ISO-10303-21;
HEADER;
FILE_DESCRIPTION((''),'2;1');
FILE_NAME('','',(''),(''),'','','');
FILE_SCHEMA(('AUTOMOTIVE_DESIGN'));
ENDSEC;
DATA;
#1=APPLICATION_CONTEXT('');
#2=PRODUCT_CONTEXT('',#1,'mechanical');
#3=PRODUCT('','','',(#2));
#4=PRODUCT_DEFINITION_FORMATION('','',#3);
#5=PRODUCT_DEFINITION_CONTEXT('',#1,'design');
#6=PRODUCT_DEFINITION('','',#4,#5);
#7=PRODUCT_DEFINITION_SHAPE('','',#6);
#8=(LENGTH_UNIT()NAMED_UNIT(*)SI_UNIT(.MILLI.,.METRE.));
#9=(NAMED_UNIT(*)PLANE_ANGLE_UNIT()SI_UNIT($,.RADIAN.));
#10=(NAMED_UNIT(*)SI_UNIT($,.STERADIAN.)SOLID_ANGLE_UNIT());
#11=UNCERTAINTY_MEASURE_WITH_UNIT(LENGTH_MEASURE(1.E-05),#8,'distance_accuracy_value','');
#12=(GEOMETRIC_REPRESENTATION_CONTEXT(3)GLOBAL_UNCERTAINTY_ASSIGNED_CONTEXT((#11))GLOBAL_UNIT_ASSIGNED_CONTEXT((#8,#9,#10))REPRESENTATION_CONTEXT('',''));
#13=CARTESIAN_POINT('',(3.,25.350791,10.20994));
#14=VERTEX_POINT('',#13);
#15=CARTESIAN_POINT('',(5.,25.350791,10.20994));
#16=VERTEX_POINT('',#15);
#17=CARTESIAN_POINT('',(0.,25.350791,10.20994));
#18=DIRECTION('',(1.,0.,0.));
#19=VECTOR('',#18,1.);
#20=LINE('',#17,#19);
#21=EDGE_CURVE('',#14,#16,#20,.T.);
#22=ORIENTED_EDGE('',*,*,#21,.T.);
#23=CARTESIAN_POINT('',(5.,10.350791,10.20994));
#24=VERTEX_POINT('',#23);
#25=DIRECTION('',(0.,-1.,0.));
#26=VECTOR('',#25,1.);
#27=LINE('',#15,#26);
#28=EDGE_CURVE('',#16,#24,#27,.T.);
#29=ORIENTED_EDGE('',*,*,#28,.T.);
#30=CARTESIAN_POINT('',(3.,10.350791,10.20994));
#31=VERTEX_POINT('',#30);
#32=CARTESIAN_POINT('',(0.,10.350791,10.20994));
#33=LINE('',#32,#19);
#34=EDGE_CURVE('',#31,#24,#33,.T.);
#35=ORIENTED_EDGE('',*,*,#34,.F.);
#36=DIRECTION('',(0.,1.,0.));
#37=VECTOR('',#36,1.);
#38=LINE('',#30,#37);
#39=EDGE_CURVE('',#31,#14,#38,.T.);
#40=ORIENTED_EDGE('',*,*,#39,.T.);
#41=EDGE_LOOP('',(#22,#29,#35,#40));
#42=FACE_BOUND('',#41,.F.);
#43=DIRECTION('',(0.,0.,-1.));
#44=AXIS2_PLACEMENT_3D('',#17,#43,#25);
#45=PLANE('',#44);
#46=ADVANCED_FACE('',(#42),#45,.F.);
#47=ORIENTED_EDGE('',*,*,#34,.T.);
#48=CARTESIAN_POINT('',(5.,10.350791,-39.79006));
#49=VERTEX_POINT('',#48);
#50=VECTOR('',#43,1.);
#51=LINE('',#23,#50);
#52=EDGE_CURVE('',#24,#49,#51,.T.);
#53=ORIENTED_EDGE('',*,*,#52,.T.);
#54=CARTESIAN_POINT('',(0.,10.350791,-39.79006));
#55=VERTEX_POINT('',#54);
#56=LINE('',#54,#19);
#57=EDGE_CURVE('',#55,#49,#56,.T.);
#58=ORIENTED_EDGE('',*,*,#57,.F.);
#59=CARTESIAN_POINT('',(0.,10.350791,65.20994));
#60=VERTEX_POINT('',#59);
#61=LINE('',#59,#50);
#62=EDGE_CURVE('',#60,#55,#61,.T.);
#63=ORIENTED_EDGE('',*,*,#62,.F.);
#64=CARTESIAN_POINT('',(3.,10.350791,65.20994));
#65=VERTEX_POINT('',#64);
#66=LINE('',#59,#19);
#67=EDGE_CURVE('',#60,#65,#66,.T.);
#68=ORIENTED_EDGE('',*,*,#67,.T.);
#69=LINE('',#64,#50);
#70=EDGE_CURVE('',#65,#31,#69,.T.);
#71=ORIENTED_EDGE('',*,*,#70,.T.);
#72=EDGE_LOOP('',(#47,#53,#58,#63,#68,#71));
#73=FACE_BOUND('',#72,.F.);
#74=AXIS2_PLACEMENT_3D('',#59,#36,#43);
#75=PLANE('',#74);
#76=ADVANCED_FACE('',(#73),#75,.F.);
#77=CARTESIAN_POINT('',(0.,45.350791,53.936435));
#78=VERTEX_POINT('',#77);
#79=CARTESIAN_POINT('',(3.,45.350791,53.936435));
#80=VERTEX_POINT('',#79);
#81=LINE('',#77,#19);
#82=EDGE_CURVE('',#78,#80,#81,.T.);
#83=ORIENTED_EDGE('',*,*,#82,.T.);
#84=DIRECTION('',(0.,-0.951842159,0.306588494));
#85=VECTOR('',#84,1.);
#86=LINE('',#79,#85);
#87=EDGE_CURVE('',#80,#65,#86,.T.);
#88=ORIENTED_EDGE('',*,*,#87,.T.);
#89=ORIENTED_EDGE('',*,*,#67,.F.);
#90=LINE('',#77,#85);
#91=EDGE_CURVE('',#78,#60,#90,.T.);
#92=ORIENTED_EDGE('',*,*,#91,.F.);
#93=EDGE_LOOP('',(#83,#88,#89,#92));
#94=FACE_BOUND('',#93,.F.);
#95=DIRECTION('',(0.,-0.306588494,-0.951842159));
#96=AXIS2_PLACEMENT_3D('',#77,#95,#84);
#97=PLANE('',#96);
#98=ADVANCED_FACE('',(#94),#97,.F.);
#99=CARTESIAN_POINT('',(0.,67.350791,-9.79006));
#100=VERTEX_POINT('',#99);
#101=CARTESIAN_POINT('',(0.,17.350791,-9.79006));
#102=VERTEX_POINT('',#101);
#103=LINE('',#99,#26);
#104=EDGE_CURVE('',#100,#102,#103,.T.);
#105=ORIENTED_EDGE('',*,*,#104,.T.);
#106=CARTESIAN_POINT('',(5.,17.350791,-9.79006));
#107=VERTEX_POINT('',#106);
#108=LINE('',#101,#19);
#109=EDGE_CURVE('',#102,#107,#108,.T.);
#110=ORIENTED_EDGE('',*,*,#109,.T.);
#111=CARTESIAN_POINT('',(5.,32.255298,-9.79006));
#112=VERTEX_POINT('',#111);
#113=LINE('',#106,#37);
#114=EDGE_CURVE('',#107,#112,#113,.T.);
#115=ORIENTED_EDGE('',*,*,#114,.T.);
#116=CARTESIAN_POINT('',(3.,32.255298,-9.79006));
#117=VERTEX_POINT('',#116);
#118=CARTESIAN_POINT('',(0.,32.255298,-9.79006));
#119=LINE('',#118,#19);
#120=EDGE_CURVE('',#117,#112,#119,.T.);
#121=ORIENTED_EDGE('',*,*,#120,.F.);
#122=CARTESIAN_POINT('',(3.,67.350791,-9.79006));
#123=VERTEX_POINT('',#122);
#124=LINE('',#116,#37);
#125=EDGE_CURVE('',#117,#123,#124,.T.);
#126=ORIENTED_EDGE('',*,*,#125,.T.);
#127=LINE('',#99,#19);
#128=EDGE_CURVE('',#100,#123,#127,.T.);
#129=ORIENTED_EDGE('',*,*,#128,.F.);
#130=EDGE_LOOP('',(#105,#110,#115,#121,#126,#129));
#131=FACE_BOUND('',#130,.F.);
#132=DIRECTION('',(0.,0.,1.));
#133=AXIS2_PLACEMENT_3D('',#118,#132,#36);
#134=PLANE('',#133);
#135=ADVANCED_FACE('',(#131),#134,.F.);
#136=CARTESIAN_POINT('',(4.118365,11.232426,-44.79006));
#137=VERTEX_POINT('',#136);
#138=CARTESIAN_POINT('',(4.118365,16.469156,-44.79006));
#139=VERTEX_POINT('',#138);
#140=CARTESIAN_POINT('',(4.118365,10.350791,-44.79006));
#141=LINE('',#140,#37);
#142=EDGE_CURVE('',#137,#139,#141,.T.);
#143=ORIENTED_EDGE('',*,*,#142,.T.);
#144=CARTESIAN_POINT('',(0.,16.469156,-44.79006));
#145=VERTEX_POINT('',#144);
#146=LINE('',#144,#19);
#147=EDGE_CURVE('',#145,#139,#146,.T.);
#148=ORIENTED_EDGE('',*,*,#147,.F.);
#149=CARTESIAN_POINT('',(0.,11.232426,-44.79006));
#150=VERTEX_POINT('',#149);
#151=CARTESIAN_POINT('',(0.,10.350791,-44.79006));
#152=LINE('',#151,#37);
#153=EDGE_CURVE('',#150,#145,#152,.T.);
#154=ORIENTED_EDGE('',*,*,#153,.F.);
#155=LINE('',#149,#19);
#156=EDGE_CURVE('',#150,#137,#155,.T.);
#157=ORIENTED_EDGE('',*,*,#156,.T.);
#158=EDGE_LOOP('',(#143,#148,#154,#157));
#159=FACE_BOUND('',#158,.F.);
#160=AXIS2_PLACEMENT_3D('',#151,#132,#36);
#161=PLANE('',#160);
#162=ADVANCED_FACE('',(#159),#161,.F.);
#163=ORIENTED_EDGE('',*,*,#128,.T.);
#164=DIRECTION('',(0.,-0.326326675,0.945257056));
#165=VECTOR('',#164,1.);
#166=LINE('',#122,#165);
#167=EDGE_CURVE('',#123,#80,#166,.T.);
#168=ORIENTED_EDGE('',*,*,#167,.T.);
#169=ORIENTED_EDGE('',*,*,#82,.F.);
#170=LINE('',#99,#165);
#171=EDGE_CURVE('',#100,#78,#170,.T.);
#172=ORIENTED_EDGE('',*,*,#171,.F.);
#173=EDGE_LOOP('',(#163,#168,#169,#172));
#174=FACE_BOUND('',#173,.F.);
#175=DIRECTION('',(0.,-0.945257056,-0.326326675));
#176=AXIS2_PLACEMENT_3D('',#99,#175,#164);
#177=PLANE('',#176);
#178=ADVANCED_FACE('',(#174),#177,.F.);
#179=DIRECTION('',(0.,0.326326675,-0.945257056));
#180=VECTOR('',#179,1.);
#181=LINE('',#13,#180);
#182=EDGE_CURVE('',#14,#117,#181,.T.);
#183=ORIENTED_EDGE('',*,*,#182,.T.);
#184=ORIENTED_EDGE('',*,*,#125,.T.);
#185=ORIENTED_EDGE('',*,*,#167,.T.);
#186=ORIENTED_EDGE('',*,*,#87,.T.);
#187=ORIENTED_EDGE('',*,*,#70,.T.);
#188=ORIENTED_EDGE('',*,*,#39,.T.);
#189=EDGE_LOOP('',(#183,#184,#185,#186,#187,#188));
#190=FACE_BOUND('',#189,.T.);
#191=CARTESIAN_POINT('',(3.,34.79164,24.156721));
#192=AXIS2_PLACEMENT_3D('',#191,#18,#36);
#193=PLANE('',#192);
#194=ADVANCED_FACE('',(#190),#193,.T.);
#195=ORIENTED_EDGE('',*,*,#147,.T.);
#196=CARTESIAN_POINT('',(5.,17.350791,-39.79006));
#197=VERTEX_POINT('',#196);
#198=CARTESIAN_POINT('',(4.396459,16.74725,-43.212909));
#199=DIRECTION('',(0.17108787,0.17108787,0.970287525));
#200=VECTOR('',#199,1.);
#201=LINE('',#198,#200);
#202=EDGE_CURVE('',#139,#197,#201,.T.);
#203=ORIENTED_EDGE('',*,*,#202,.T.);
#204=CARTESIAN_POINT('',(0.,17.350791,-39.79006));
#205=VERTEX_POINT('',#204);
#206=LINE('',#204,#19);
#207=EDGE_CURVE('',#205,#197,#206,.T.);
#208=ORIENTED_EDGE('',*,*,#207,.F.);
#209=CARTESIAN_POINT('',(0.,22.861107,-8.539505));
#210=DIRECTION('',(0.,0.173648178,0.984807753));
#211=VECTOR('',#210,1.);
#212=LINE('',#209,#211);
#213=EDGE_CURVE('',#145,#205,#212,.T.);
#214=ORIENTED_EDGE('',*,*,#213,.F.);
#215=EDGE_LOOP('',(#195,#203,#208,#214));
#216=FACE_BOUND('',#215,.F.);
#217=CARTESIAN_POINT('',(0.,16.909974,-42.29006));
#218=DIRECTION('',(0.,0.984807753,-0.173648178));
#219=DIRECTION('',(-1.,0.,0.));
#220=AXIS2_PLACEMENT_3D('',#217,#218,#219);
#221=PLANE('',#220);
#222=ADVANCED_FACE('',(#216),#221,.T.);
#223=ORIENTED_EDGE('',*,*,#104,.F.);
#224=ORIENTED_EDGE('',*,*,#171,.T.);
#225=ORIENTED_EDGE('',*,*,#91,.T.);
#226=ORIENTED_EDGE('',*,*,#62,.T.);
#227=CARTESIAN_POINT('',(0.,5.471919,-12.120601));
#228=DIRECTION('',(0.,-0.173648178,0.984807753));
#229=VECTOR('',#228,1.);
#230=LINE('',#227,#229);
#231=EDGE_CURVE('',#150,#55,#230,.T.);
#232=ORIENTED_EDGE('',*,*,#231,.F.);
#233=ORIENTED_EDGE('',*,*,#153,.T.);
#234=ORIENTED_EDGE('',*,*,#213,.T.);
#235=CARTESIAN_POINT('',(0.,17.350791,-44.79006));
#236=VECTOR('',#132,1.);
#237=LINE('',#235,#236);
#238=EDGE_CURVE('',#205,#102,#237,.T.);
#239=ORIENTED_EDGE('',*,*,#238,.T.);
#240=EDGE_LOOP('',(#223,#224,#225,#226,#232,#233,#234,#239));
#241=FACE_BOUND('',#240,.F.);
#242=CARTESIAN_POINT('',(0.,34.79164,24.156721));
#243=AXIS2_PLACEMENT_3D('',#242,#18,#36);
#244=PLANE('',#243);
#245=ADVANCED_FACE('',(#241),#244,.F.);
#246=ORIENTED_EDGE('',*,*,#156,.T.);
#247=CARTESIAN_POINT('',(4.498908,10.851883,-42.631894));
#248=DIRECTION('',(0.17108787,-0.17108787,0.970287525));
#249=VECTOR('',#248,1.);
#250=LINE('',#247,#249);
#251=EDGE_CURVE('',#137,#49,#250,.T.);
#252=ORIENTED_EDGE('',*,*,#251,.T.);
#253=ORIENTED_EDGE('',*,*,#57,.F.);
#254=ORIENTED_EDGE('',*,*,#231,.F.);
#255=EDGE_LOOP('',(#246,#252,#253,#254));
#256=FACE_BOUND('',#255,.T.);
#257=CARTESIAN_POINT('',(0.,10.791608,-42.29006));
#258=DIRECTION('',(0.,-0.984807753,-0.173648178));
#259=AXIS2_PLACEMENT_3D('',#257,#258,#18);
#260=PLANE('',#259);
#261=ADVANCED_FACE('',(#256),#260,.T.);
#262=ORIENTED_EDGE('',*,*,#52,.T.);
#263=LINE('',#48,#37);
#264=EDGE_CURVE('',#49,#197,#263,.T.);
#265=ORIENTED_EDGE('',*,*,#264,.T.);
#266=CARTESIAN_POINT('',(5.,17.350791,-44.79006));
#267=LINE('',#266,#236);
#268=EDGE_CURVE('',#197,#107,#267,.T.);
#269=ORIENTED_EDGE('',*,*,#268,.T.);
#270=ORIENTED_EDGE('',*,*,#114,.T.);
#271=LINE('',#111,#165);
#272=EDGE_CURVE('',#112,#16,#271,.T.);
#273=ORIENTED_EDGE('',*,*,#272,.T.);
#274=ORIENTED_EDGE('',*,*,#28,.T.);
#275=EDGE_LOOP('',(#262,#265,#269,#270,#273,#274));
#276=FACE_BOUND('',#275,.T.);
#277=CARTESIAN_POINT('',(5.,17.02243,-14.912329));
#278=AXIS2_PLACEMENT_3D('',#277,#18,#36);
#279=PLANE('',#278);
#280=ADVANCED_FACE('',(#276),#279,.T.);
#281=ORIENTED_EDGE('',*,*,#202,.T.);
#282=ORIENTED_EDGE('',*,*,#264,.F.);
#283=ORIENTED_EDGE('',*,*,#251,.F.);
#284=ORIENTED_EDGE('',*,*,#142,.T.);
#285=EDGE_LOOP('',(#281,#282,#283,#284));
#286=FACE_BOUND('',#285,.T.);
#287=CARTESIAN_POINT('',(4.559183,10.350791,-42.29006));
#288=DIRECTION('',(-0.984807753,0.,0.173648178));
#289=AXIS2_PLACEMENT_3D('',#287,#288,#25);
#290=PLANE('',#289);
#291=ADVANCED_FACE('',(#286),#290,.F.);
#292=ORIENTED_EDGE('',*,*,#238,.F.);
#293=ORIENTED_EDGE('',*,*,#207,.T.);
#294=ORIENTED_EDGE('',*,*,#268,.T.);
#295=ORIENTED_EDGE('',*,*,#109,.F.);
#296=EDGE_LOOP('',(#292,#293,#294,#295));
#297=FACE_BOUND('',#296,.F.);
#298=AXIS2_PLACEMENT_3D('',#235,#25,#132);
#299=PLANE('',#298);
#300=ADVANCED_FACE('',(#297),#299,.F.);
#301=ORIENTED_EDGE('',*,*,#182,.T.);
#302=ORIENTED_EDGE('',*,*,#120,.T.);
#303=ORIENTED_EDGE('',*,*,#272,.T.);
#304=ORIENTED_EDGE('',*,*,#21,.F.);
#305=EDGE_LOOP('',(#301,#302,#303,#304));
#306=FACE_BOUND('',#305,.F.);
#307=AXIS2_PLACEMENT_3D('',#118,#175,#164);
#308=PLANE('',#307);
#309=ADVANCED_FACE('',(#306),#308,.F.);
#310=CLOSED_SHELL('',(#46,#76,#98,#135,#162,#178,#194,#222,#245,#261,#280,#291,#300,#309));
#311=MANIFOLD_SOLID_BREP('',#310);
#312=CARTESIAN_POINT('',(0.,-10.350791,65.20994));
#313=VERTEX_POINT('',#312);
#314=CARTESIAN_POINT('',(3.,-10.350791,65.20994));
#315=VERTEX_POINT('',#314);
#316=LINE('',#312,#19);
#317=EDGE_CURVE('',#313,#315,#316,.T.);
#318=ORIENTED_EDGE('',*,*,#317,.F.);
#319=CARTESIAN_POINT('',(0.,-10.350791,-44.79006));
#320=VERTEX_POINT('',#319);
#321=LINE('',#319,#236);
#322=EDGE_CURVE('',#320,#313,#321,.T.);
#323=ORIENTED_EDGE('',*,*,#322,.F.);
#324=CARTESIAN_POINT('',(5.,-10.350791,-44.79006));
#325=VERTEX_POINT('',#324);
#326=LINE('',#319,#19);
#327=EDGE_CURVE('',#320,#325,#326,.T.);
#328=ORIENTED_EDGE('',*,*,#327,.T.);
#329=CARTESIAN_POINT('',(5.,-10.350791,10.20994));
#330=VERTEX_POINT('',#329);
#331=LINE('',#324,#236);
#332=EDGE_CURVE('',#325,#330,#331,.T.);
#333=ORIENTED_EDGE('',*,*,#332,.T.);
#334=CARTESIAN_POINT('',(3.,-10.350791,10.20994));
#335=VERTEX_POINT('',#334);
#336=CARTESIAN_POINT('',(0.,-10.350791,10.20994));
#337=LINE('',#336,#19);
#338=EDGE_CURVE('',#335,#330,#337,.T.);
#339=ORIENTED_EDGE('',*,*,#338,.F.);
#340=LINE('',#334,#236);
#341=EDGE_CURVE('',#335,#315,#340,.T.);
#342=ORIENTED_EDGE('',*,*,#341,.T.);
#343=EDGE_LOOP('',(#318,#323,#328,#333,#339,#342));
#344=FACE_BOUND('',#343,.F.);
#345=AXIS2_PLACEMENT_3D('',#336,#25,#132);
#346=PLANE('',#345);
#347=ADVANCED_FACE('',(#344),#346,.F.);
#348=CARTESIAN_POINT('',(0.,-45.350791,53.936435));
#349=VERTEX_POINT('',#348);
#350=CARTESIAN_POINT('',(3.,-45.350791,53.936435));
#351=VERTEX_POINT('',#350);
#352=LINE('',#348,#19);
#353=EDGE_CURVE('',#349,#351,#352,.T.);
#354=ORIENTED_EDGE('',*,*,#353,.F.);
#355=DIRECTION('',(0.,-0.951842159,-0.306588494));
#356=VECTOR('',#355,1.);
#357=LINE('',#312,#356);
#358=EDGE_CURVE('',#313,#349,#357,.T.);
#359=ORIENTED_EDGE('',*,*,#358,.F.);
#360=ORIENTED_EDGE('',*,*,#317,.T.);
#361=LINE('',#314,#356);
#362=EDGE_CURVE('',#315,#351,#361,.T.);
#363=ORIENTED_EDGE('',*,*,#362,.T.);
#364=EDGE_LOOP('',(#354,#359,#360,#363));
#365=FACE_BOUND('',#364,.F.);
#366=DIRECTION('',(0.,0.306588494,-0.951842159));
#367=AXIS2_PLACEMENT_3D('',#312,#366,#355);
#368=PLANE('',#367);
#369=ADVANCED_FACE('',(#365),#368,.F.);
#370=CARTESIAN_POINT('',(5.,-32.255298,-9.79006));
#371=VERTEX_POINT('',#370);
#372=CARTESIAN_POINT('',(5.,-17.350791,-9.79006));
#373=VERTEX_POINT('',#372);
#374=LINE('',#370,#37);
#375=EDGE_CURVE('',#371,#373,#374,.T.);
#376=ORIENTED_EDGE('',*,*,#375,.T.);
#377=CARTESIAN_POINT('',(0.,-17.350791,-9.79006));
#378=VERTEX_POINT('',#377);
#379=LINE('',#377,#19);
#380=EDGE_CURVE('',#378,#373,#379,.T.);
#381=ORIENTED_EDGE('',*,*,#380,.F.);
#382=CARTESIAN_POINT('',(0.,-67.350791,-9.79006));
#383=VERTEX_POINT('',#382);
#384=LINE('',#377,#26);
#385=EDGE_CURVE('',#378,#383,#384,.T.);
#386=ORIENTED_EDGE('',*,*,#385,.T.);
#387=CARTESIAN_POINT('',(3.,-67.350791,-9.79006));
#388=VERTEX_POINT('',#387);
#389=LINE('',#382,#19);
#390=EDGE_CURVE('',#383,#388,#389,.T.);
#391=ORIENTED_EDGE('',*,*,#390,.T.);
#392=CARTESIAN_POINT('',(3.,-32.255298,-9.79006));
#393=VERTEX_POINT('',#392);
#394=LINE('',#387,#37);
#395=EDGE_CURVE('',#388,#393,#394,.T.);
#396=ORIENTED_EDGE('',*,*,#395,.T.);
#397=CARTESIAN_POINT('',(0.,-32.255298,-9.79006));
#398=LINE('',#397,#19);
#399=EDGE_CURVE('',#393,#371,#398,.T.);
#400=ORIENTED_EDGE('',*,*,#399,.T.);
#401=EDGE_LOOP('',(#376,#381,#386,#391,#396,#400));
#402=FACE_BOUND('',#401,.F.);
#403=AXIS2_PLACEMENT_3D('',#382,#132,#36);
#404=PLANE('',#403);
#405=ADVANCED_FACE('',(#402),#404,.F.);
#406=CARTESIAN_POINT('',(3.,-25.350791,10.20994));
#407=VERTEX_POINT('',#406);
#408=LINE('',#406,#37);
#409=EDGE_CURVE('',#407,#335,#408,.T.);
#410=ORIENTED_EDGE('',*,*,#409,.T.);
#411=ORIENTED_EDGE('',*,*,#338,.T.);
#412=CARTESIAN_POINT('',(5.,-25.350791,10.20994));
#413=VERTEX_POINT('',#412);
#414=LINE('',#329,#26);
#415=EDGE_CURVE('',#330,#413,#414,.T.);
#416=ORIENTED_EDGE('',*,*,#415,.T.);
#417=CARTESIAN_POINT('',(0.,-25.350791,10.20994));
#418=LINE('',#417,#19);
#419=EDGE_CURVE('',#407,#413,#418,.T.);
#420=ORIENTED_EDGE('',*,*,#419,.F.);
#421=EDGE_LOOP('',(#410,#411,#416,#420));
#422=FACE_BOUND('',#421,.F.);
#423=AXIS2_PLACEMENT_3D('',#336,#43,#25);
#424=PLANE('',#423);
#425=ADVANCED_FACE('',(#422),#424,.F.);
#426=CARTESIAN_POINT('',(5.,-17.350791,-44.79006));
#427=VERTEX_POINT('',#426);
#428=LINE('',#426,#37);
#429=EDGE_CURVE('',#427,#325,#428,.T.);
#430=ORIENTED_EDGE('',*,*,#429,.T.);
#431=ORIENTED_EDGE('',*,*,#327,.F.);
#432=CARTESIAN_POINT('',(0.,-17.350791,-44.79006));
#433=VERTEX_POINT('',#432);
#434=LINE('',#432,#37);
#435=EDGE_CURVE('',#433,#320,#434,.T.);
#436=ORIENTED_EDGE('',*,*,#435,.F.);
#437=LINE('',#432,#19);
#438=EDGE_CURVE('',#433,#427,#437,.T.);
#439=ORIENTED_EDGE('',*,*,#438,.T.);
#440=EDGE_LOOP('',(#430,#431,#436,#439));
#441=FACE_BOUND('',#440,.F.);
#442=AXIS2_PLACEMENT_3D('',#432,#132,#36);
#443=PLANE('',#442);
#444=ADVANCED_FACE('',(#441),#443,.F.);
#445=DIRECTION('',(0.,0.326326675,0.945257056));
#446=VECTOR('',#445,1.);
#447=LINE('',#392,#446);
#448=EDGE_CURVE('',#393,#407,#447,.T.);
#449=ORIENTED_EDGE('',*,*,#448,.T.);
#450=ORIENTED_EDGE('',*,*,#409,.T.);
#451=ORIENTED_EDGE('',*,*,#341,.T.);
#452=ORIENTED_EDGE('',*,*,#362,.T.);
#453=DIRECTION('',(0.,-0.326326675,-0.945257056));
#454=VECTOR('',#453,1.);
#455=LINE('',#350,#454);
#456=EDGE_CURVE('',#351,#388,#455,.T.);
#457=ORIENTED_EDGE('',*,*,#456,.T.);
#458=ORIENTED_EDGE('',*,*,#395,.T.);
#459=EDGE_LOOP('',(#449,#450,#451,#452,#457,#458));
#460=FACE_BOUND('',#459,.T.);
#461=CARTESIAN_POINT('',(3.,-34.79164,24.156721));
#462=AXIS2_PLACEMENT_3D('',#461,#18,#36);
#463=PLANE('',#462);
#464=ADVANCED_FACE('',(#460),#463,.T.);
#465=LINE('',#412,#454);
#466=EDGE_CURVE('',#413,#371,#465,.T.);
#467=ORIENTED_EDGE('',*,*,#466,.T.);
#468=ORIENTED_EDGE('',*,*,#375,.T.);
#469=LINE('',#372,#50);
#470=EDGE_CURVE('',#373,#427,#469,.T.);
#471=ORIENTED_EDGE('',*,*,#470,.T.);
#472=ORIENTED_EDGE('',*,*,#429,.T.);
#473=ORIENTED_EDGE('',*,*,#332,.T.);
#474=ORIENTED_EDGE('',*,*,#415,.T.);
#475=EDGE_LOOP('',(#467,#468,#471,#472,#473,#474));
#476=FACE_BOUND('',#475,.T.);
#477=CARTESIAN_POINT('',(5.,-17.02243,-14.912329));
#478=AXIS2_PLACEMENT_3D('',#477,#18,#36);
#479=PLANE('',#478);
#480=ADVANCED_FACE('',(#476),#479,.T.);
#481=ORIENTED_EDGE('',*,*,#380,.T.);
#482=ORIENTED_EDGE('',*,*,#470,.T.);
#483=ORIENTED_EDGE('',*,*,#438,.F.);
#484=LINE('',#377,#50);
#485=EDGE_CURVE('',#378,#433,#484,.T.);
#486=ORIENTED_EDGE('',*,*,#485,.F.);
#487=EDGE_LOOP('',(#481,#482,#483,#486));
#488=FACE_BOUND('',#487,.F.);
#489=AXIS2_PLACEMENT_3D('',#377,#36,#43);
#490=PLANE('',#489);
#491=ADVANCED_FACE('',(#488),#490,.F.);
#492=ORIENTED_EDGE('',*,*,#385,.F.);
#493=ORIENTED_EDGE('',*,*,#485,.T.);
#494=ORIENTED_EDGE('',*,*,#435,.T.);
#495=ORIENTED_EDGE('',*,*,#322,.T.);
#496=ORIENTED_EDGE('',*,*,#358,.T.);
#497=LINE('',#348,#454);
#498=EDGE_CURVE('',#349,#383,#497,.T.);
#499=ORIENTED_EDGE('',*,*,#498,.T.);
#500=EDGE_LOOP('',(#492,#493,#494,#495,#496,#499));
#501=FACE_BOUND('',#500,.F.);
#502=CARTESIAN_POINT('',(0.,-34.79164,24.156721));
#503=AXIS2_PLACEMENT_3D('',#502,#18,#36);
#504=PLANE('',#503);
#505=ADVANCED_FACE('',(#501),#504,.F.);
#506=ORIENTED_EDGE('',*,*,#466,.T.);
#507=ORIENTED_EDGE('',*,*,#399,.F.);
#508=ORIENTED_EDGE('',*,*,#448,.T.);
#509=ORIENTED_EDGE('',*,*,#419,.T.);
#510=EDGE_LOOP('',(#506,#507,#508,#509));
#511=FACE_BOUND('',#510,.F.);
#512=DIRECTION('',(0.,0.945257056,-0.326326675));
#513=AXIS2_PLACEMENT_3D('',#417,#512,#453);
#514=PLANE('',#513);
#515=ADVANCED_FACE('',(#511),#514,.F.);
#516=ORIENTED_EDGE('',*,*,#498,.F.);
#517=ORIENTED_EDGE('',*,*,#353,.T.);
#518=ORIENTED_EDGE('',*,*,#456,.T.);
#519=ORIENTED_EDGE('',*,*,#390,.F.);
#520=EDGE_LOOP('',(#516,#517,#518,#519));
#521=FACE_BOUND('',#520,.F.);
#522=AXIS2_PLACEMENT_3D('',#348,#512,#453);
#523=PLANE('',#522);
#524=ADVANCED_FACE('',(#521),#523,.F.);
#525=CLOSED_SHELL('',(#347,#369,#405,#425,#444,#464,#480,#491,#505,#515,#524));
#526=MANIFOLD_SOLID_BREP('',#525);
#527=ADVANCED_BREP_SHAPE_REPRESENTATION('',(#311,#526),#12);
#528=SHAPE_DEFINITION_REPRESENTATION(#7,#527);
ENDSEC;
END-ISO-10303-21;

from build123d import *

# Parameters (mm, degrees)
F1_DEPTH = 5
F2_DEPTH = 3
F3_DEPTH = 5
F4_DEPTH = 3
F5_SIZE2 = 5
F5_SIZE  = 0.8816349035


with BuildPart() as f1:
    # F0 (on Right) → F1 (new body)
    with BuildSketch(Plane.YZ):
        Polygon((-17.3507910222, -9.7900601104), (-17.3507910222, -44.7900601104), (-10.3507910222, -44.7900601104), (-10.3507910222, 10.2099398896), (-25.3507910222, 10.2099398896), (-32.2552975324, -9.7900601104), align=None)
    extrude(amount=F1_DEPTH)

    # F0 (on Right) → F2 (join)
    with BuildSketch(Plane.YZ):
        Polygon((-25.3507910222, 10.2099398896), (-10.3507910222, 10.2099398896), (-10.3507910222, 65.2099398896), (-45.3507910222, 53.936434947), (-67.3507910222, -9.7900601104), (-32.2552975324, -9.7900601104), align=None)
    extrude(amount=F2_DEPTH)


with BuildPart() as f3:
    # F0 (on Right) → F3 (new body)
    with BuildSketch(Plane.YZ):
        Polygon((10.3507910222, 10.2099398896), (10.3507910222, -44.7900601104), (17.3507910222, -44.7900601104), (17.3507910222, -9.7900601104), (32.2552975324, -9.7900601104), (25.3507910222, 10.2099398896), align=None)
    extrude(amount=F3_DEPTH)

    # F0 (on Right) → F4 (join)
    with BuildSketch(Plane.YZ):
        Polygon((10.3507910222, 65.2099398896), (10.3507910222, 10.2099398896), (25.3507910222, 10.2099398896), (32.2552975324, -9.7900601104), (67.3507910222, -9.7900601104), (45.3507910222, 53.936434947), align=None)
    extrude(amount=F4_DEPTH)

    # F5
    f5_edges = [f3.edges().sort_by_distance(p)[0] for p in [
        (2.5, 17.350791, -44.79006),
        (5, 13.850791, -44.79006),
        (2.5, 10.350791, -44.79006),
    ]]
    f5_side = f3.faces().sort_by_distance((2.5, 13.850791, -44.79006))[0]
    chamfer(f5_edges, length=F5_SIZE, length2=F5_SIZE2, reference=f5_side)


solid = Compound([f1.part, f3.part])
